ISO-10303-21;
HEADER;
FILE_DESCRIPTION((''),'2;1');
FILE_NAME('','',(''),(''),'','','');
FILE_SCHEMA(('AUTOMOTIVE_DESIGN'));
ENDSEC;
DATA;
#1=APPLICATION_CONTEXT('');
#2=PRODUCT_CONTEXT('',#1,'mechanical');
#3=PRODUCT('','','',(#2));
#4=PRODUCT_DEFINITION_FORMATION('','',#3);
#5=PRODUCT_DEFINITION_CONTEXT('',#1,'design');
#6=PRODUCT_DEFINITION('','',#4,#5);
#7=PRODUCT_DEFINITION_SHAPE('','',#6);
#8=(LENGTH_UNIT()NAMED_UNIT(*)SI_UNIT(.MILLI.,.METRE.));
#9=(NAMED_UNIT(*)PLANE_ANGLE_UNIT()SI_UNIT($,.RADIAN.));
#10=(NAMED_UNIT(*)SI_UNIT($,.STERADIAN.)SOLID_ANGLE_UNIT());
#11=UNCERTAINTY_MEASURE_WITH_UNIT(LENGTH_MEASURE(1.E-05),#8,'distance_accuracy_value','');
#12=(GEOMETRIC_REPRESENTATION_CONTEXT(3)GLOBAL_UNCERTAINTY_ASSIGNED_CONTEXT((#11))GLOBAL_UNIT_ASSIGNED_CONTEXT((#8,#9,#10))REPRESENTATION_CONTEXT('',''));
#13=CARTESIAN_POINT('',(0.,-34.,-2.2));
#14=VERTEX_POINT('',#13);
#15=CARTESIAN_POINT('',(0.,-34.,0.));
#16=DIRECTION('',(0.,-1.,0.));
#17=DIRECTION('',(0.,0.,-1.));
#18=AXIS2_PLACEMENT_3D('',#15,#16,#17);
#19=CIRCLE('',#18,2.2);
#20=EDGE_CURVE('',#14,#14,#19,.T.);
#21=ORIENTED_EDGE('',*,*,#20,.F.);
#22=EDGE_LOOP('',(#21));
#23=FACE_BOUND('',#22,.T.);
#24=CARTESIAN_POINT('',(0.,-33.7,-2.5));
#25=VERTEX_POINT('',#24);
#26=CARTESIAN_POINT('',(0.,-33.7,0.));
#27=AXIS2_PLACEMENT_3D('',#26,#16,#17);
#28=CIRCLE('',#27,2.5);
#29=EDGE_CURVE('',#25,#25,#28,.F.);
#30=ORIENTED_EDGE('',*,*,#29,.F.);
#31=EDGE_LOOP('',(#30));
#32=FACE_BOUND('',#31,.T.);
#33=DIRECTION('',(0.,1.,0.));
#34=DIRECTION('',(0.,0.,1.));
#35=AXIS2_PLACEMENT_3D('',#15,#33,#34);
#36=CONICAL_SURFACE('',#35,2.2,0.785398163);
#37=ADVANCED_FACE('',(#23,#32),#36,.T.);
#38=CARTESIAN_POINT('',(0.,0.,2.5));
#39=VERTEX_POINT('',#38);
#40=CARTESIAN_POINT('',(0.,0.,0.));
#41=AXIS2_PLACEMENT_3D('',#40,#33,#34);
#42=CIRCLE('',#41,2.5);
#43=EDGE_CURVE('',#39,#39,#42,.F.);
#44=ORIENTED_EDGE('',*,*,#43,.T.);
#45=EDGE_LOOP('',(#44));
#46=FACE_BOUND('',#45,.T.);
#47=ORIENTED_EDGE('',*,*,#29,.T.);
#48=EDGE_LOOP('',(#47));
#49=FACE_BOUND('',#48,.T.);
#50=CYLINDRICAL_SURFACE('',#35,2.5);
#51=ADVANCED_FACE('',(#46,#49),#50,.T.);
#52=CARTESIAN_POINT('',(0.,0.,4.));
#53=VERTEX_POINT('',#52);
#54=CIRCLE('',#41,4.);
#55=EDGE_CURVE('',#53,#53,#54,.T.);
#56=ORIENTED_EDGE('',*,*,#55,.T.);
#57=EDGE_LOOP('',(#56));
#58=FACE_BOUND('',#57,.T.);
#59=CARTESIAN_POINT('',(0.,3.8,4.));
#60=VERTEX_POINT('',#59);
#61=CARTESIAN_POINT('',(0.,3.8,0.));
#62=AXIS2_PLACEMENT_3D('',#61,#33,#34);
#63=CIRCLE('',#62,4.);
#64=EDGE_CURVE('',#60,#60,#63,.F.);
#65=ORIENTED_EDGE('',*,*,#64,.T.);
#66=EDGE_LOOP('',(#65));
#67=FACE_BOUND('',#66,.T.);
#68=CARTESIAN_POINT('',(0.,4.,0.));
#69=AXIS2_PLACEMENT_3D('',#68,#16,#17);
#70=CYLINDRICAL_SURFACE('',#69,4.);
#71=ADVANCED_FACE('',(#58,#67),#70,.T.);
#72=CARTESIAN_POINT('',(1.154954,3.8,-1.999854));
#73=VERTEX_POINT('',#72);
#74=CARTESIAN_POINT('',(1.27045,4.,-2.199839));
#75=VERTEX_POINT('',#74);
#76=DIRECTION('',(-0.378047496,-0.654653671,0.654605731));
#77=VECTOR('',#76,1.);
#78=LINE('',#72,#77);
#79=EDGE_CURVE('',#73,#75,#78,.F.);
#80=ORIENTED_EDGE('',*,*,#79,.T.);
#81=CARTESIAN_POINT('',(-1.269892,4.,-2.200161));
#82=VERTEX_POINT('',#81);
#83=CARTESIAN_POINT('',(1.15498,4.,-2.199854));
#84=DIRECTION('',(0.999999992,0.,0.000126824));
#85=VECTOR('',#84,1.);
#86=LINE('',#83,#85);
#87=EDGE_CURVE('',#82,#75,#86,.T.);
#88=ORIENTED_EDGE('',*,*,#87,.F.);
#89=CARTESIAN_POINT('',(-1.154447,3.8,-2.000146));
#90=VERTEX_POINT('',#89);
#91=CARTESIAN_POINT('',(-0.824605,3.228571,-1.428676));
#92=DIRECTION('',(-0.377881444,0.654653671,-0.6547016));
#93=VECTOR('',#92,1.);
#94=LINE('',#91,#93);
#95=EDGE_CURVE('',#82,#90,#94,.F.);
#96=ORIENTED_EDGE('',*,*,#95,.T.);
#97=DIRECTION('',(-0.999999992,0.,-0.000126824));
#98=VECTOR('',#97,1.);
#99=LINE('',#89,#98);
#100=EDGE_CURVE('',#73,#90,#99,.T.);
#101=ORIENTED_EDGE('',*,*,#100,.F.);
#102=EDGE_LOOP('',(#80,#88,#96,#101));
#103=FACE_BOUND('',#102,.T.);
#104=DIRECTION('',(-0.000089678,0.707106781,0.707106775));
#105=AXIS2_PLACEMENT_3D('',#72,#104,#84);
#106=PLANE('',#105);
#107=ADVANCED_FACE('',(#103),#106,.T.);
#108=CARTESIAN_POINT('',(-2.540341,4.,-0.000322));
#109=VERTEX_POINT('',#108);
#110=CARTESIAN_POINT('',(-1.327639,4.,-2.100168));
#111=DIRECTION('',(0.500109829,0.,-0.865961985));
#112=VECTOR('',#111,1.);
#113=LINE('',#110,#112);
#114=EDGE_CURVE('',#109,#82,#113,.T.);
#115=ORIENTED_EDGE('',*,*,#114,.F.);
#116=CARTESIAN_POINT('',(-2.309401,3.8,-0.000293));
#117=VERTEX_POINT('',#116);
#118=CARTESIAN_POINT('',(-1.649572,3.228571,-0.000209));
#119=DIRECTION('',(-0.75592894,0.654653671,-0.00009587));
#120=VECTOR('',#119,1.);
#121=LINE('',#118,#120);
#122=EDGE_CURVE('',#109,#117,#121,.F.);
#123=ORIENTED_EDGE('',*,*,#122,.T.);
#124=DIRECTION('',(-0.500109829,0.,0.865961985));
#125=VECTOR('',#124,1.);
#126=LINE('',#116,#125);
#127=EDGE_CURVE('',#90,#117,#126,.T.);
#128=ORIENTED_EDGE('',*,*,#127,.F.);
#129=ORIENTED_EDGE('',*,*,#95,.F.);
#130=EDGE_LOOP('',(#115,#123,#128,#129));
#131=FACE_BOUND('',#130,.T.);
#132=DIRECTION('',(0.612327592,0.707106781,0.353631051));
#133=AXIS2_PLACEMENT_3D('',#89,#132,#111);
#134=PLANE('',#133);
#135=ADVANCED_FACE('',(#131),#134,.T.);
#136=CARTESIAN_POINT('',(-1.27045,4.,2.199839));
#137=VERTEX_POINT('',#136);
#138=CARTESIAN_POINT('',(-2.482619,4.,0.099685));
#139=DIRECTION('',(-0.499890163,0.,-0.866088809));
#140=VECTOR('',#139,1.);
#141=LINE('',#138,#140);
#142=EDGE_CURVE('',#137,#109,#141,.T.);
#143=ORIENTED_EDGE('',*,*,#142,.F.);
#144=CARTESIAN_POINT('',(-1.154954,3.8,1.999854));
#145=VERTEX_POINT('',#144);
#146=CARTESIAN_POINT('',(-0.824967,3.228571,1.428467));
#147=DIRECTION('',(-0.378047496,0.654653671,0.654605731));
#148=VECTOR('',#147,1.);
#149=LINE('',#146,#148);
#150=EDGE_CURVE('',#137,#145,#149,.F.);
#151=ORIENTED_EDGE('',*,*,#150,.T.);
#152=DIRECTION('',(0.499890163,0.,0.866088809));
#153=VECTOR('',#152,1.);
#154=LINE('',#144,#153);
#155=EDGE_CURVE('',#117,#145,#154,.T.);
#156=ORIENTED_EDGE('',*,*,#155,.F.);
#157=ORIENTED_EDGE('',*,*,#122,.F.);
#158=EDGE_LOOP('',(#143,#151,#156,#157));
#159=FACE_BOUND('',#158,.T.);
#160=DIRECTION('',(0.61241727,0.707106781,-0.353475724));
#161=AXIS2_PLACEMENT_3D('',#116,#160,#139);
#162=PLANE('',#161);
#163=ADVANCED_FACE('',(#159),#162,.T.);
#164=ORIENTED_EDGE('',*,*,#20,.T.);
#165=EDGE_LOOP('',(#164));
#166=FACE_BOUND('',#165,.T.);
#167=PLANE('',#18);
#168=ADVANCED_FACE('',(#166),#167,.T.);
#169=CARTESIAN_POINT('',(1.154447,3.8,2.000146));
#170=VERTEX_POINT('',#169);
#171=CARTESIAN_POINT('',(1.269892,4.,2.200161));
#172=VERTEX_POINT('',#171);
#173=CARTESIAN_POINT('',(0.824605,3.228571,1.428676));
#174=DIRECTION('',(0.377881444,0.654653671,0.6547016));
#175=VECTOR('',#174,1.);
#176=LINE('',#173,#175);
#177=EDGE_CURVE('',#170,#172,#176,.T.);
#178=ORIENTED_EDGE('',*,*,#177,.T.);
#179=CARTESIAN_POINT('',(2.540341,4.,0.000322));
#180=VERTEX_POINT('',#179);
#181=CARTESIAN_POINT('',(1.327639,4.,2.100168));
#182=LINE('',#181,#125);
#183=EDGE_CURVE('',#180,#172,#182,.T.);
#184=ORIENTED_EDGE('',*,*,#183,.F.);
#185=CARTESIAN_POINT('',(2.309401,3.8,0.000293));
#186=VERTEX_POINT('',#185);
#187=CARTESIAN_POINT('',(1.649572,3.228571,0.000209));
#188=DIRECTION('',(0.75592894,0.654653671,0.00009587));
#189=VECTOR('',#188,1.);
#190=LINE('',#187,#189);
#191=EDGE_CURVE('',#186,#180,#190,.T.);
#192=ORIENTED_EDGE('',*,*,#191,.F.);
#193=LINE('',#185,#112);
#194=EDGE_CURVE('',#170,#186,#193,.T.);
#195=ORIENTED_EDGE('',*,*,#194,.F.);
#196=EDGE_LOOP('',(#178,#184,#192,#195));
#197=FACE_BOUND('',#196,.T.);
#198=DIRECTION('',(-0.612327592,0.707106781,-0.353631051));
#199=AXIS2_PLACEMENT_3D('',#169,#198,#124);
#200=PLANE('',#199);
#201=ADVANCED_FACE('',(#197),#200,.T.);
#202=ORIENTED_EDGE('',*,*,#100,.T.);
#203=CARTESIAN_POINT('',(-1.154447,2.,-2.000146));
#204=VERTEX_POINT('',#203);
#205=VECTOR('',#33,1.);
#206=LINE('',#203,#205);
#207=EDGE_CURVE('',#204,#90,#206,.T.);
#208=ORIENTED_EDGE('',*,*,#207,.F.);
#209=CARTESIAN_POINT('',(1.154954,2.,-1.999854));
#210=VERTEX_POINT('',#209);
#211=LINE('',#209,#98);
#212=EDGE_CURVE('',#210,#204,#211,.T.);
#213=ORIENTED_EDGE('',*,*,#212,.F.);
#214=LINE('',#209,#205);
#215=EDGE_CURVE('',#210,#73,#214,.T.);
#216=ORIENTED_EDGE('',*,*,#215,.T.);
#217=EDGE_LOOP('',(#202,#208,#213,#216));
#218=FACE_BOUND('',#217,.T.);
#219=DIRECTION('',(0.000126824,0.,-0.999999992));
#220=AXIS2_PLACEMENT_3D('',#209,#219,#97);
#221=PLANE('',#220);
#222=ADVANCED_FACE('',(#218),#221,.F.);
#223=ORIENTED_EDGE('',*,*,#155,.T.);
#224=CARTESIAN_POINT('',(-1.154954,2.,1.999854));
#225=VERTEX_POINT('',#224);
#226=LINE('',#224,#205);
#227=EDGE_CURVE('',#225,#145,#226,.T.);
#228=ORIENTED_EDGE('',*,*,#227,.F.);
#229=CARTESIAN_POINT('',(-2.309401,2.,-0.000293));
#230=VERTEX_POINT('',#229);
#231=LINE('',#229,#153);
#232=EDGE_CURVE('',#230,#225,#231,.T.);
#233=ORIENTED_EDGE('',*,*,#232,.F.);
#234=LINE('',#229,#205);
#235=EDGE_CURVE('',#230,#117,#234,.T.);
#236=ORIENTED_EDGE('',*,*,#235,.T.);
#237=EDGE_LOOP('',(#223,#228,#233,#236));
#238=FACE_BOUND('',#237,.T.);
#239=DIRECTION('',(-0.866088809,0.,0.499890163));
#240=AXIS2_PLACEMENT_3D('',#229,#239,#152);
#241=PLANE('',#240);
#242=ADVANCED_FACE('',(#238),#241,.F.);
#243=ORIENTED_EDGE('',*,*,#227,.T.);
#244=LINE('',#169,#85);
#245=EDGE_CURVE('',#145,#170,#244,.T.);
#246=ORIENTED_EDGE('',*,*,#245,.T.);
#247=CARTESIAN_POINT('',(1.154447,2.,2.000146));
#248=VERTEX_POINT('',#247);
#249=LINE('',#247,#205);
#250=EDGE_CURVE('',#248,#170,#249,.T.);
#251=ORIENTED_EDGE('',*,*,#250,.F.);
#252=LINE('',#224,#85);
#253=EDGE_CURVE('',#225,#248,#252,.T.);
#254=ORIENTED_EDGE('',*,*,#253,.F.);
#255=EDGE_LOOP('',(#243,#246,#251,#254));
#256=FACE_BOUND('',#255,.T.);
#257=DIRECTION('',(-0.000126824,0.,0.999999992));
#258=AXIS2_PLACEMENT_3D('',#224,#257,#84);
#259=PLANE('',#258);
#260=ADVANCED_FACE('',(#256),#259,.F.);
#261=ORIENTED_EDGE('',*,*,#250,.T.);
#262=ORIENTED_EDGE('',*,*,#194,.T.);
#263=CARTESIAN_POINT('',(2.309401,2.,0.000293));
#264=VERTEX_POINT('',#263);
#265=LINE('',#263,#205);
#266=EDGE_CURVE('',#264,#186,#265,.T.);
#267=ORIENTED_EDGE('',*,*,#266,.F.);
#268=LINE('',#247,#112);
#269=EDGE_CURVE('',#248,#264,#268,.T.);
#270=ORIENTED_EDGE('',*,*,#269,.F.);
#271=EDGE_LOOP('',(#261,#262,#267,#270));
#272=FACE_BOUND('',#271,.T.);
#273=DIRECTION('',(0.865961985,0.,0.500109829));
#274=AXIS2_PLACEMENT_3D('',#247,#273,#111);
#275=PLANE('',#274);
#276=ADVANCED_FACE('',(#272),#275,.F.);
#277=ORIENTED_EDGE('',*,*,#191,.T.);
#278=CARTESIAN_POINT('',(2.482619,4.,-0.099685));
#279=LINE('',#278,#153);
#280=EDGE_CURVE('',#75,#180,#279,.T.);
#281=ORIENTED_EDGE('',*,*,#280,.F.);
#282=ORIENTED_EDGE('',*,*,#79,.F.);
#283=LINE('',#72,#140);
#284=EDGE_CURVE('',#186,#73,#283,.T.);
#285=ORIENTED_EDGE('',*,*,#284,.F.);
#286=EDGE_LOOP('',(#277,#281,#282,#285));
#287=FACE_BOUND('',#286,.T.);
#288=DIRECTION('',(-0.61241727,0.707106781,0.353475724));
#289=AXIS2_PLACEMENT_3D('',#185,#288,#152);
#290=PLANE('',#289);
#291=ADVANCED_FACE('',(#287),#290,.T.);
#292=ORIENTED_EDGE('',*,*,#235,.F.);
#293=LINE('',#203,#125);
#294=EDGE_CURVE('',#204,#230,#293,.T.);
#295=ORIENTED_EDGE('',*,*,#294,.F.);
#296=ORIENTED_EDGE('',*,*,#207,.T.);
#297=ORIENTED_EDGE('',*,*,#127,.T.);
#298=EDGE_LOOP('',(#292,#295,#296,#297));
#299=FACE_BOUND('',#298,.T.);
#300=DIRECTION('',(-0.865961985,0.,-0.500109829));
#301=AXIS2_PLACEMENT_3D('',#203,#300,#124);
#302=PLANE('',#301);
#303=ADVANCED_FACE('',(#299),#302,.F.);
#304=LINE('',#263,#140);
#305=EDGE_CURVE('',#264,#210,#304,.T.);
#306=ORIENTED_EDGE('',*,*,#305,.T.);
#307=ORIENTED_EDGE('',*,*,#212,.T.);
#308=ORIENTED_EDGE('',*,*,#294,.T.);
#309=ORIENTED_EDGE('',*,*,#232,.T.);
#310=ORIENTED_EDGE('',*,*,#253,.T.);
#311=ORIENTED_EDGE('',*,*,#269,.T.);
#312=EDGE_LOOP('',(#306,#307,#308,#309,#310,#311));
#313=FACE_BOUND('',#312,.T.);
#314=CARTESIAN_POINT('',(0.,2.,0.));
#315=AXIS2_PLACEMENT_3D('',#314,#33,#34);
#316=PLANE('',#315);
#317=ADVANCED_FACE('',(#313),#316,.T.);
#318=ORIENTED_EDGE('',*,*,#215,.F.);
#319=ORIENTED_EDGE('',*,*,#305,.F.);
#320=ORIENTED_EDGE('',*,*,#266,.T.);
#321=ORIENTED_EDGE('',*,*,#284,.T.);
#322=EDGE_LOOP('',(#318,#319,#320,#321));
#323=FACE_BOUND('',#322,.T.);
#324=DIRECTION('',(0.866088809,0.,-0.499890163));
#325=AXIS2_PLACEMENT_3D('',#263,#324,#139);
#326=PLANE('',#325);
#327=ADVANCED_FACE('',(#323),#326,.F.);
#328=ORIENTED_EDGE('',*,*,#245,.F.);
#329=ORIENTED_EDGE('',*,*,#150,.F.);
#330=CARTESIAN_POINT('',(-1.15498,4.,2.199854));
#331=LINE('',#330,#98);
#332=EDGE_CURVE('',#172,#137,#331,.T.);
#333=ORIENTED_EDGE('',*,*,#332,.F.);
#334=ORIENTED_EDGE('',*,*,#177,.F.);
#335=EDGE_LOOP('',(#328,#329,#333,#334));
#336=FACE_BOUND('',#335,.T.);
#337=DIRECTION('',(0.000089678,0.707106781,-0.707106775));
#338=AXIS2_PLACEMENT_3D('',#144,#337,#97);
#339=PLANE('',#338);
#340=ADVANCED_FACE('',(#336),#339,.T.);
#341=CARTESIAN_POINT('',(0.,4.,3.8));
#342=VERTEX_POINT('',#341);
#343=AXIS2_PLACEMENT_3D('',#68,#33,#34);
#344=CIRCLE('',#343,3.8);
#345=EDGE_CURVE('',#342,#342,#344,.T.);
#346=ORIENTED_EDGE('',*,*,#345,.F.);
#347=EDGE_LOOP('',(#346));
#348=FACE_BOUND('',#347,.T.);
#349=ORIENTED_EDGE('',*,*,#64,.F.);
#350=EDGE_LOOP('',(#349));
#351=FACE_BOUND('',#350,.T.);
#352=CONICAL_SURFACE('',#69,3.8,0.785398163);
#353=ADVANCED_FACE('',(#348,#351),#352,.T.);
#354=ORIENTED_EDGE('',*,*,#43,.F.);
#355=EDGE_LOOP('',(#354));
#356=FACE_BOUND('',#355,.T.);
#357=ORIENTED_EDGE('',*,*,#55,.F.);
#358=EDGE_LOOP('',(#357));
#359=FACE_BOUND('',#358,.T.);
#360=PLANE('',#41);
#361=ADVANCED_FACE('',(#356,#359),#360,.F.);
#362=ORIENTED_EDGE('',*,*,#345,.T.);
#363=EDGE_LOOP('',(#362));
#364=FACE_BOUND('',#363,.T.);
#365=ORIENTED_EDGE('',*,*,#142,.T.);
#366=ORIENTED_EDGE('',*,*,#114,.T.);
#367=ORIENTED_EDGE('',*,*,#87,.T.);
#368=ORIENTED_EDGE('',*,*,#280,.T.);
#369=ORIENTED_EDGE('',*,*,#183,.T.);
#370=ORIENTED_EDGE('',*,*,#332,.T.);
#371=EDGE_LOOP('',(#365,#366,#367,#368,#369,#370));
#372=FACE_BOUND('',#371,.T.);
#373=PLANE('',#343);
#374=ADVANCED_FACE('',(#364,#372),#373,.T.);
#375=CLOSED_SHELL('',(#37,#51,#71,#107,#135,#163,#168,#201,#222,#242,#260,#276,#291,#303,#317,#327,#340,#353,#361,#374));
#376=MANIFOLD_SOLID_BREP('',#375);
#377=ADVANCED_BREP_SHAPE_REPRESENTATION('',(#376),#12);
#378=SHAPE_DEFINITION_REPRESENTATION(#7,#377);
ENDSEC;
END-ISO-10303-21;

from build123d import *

# Parameters (mm, degrees)
SKETCH_1_R          = 4
EXTRUDE_1_DEPTH     = 4
SKETCH_2_R          = 2.5
EXTRUDE_2_DEPTH     = 34
CUT_EXTRUDE_1_DEPTH = 2
CHAMFER_1_SIZE      = 0.2
CHAMFER_2_SIZE      = 0.3


with BuildPart() as part:
    # 草图1 → 凸台-拉伸1 (new body)
    with BuildSketch(Plane(origin=(0, 0, 0), x_dir=(1, 0, 0), z_dir=(0, 1, 0))):
        Circle(SKETCH_1_R)
    extrude(amount=EXTRUDE_1_DEPTH)

    # 草图2 → 凸台-拉伸2 (add)
    with BuildSketch(Plane.XZ):
        Circle(SKETCH_2_R)
    extrude(amount=EXTRUDE_2_DEPTH)

    # 草图11 → 切除-拉伸1 (cut)
    with BuildSketch(Plane(origin=(0, 4, 0), x_dir=(1, 0, 0), z_dir=(0, 1, 0))):
        Polygon((1.154954177, 1.999853541), (-1.154446882, 2.000146427), (-2.309401058, 0.000292887), (-1.154954177, -1.999853541), (1.154446882, -2.000146427), (2.309401058, -0.000292887), align=None)
    extrude(amount=-CUT_EXTRUDE_1_DEPTH, mode=Mode.SUBTRACT)

    # 倒角1
    chamfer_1_edges = [part.edges().sort_by_distance(p)[0] for p in [
        (1.732177617, 4, -0.999780327),
        (0.000253647, 4, -1.999999984),
        (-1.73192397, 4, -1.000219657),
        (-1.732177617, 4, 0.999780327),
        (-0.000253647, 4, 1.999999984),
        (1.73192397, 4, 1.000219657),
        (-4, 4, 0),
    ]]
    chamfer(chamfer_1_edges, length=CHAMFER_1_SIZE)

    # 倒角2
    chamfer_2_edges = [part.edges().sort_by_distance(p)[0] for p in [
        (-2.5, -34, 0),
    ]]
    chamfer(chamfer_2_edges, length=CHAMFER_2_SIZE)


solid = part.part
